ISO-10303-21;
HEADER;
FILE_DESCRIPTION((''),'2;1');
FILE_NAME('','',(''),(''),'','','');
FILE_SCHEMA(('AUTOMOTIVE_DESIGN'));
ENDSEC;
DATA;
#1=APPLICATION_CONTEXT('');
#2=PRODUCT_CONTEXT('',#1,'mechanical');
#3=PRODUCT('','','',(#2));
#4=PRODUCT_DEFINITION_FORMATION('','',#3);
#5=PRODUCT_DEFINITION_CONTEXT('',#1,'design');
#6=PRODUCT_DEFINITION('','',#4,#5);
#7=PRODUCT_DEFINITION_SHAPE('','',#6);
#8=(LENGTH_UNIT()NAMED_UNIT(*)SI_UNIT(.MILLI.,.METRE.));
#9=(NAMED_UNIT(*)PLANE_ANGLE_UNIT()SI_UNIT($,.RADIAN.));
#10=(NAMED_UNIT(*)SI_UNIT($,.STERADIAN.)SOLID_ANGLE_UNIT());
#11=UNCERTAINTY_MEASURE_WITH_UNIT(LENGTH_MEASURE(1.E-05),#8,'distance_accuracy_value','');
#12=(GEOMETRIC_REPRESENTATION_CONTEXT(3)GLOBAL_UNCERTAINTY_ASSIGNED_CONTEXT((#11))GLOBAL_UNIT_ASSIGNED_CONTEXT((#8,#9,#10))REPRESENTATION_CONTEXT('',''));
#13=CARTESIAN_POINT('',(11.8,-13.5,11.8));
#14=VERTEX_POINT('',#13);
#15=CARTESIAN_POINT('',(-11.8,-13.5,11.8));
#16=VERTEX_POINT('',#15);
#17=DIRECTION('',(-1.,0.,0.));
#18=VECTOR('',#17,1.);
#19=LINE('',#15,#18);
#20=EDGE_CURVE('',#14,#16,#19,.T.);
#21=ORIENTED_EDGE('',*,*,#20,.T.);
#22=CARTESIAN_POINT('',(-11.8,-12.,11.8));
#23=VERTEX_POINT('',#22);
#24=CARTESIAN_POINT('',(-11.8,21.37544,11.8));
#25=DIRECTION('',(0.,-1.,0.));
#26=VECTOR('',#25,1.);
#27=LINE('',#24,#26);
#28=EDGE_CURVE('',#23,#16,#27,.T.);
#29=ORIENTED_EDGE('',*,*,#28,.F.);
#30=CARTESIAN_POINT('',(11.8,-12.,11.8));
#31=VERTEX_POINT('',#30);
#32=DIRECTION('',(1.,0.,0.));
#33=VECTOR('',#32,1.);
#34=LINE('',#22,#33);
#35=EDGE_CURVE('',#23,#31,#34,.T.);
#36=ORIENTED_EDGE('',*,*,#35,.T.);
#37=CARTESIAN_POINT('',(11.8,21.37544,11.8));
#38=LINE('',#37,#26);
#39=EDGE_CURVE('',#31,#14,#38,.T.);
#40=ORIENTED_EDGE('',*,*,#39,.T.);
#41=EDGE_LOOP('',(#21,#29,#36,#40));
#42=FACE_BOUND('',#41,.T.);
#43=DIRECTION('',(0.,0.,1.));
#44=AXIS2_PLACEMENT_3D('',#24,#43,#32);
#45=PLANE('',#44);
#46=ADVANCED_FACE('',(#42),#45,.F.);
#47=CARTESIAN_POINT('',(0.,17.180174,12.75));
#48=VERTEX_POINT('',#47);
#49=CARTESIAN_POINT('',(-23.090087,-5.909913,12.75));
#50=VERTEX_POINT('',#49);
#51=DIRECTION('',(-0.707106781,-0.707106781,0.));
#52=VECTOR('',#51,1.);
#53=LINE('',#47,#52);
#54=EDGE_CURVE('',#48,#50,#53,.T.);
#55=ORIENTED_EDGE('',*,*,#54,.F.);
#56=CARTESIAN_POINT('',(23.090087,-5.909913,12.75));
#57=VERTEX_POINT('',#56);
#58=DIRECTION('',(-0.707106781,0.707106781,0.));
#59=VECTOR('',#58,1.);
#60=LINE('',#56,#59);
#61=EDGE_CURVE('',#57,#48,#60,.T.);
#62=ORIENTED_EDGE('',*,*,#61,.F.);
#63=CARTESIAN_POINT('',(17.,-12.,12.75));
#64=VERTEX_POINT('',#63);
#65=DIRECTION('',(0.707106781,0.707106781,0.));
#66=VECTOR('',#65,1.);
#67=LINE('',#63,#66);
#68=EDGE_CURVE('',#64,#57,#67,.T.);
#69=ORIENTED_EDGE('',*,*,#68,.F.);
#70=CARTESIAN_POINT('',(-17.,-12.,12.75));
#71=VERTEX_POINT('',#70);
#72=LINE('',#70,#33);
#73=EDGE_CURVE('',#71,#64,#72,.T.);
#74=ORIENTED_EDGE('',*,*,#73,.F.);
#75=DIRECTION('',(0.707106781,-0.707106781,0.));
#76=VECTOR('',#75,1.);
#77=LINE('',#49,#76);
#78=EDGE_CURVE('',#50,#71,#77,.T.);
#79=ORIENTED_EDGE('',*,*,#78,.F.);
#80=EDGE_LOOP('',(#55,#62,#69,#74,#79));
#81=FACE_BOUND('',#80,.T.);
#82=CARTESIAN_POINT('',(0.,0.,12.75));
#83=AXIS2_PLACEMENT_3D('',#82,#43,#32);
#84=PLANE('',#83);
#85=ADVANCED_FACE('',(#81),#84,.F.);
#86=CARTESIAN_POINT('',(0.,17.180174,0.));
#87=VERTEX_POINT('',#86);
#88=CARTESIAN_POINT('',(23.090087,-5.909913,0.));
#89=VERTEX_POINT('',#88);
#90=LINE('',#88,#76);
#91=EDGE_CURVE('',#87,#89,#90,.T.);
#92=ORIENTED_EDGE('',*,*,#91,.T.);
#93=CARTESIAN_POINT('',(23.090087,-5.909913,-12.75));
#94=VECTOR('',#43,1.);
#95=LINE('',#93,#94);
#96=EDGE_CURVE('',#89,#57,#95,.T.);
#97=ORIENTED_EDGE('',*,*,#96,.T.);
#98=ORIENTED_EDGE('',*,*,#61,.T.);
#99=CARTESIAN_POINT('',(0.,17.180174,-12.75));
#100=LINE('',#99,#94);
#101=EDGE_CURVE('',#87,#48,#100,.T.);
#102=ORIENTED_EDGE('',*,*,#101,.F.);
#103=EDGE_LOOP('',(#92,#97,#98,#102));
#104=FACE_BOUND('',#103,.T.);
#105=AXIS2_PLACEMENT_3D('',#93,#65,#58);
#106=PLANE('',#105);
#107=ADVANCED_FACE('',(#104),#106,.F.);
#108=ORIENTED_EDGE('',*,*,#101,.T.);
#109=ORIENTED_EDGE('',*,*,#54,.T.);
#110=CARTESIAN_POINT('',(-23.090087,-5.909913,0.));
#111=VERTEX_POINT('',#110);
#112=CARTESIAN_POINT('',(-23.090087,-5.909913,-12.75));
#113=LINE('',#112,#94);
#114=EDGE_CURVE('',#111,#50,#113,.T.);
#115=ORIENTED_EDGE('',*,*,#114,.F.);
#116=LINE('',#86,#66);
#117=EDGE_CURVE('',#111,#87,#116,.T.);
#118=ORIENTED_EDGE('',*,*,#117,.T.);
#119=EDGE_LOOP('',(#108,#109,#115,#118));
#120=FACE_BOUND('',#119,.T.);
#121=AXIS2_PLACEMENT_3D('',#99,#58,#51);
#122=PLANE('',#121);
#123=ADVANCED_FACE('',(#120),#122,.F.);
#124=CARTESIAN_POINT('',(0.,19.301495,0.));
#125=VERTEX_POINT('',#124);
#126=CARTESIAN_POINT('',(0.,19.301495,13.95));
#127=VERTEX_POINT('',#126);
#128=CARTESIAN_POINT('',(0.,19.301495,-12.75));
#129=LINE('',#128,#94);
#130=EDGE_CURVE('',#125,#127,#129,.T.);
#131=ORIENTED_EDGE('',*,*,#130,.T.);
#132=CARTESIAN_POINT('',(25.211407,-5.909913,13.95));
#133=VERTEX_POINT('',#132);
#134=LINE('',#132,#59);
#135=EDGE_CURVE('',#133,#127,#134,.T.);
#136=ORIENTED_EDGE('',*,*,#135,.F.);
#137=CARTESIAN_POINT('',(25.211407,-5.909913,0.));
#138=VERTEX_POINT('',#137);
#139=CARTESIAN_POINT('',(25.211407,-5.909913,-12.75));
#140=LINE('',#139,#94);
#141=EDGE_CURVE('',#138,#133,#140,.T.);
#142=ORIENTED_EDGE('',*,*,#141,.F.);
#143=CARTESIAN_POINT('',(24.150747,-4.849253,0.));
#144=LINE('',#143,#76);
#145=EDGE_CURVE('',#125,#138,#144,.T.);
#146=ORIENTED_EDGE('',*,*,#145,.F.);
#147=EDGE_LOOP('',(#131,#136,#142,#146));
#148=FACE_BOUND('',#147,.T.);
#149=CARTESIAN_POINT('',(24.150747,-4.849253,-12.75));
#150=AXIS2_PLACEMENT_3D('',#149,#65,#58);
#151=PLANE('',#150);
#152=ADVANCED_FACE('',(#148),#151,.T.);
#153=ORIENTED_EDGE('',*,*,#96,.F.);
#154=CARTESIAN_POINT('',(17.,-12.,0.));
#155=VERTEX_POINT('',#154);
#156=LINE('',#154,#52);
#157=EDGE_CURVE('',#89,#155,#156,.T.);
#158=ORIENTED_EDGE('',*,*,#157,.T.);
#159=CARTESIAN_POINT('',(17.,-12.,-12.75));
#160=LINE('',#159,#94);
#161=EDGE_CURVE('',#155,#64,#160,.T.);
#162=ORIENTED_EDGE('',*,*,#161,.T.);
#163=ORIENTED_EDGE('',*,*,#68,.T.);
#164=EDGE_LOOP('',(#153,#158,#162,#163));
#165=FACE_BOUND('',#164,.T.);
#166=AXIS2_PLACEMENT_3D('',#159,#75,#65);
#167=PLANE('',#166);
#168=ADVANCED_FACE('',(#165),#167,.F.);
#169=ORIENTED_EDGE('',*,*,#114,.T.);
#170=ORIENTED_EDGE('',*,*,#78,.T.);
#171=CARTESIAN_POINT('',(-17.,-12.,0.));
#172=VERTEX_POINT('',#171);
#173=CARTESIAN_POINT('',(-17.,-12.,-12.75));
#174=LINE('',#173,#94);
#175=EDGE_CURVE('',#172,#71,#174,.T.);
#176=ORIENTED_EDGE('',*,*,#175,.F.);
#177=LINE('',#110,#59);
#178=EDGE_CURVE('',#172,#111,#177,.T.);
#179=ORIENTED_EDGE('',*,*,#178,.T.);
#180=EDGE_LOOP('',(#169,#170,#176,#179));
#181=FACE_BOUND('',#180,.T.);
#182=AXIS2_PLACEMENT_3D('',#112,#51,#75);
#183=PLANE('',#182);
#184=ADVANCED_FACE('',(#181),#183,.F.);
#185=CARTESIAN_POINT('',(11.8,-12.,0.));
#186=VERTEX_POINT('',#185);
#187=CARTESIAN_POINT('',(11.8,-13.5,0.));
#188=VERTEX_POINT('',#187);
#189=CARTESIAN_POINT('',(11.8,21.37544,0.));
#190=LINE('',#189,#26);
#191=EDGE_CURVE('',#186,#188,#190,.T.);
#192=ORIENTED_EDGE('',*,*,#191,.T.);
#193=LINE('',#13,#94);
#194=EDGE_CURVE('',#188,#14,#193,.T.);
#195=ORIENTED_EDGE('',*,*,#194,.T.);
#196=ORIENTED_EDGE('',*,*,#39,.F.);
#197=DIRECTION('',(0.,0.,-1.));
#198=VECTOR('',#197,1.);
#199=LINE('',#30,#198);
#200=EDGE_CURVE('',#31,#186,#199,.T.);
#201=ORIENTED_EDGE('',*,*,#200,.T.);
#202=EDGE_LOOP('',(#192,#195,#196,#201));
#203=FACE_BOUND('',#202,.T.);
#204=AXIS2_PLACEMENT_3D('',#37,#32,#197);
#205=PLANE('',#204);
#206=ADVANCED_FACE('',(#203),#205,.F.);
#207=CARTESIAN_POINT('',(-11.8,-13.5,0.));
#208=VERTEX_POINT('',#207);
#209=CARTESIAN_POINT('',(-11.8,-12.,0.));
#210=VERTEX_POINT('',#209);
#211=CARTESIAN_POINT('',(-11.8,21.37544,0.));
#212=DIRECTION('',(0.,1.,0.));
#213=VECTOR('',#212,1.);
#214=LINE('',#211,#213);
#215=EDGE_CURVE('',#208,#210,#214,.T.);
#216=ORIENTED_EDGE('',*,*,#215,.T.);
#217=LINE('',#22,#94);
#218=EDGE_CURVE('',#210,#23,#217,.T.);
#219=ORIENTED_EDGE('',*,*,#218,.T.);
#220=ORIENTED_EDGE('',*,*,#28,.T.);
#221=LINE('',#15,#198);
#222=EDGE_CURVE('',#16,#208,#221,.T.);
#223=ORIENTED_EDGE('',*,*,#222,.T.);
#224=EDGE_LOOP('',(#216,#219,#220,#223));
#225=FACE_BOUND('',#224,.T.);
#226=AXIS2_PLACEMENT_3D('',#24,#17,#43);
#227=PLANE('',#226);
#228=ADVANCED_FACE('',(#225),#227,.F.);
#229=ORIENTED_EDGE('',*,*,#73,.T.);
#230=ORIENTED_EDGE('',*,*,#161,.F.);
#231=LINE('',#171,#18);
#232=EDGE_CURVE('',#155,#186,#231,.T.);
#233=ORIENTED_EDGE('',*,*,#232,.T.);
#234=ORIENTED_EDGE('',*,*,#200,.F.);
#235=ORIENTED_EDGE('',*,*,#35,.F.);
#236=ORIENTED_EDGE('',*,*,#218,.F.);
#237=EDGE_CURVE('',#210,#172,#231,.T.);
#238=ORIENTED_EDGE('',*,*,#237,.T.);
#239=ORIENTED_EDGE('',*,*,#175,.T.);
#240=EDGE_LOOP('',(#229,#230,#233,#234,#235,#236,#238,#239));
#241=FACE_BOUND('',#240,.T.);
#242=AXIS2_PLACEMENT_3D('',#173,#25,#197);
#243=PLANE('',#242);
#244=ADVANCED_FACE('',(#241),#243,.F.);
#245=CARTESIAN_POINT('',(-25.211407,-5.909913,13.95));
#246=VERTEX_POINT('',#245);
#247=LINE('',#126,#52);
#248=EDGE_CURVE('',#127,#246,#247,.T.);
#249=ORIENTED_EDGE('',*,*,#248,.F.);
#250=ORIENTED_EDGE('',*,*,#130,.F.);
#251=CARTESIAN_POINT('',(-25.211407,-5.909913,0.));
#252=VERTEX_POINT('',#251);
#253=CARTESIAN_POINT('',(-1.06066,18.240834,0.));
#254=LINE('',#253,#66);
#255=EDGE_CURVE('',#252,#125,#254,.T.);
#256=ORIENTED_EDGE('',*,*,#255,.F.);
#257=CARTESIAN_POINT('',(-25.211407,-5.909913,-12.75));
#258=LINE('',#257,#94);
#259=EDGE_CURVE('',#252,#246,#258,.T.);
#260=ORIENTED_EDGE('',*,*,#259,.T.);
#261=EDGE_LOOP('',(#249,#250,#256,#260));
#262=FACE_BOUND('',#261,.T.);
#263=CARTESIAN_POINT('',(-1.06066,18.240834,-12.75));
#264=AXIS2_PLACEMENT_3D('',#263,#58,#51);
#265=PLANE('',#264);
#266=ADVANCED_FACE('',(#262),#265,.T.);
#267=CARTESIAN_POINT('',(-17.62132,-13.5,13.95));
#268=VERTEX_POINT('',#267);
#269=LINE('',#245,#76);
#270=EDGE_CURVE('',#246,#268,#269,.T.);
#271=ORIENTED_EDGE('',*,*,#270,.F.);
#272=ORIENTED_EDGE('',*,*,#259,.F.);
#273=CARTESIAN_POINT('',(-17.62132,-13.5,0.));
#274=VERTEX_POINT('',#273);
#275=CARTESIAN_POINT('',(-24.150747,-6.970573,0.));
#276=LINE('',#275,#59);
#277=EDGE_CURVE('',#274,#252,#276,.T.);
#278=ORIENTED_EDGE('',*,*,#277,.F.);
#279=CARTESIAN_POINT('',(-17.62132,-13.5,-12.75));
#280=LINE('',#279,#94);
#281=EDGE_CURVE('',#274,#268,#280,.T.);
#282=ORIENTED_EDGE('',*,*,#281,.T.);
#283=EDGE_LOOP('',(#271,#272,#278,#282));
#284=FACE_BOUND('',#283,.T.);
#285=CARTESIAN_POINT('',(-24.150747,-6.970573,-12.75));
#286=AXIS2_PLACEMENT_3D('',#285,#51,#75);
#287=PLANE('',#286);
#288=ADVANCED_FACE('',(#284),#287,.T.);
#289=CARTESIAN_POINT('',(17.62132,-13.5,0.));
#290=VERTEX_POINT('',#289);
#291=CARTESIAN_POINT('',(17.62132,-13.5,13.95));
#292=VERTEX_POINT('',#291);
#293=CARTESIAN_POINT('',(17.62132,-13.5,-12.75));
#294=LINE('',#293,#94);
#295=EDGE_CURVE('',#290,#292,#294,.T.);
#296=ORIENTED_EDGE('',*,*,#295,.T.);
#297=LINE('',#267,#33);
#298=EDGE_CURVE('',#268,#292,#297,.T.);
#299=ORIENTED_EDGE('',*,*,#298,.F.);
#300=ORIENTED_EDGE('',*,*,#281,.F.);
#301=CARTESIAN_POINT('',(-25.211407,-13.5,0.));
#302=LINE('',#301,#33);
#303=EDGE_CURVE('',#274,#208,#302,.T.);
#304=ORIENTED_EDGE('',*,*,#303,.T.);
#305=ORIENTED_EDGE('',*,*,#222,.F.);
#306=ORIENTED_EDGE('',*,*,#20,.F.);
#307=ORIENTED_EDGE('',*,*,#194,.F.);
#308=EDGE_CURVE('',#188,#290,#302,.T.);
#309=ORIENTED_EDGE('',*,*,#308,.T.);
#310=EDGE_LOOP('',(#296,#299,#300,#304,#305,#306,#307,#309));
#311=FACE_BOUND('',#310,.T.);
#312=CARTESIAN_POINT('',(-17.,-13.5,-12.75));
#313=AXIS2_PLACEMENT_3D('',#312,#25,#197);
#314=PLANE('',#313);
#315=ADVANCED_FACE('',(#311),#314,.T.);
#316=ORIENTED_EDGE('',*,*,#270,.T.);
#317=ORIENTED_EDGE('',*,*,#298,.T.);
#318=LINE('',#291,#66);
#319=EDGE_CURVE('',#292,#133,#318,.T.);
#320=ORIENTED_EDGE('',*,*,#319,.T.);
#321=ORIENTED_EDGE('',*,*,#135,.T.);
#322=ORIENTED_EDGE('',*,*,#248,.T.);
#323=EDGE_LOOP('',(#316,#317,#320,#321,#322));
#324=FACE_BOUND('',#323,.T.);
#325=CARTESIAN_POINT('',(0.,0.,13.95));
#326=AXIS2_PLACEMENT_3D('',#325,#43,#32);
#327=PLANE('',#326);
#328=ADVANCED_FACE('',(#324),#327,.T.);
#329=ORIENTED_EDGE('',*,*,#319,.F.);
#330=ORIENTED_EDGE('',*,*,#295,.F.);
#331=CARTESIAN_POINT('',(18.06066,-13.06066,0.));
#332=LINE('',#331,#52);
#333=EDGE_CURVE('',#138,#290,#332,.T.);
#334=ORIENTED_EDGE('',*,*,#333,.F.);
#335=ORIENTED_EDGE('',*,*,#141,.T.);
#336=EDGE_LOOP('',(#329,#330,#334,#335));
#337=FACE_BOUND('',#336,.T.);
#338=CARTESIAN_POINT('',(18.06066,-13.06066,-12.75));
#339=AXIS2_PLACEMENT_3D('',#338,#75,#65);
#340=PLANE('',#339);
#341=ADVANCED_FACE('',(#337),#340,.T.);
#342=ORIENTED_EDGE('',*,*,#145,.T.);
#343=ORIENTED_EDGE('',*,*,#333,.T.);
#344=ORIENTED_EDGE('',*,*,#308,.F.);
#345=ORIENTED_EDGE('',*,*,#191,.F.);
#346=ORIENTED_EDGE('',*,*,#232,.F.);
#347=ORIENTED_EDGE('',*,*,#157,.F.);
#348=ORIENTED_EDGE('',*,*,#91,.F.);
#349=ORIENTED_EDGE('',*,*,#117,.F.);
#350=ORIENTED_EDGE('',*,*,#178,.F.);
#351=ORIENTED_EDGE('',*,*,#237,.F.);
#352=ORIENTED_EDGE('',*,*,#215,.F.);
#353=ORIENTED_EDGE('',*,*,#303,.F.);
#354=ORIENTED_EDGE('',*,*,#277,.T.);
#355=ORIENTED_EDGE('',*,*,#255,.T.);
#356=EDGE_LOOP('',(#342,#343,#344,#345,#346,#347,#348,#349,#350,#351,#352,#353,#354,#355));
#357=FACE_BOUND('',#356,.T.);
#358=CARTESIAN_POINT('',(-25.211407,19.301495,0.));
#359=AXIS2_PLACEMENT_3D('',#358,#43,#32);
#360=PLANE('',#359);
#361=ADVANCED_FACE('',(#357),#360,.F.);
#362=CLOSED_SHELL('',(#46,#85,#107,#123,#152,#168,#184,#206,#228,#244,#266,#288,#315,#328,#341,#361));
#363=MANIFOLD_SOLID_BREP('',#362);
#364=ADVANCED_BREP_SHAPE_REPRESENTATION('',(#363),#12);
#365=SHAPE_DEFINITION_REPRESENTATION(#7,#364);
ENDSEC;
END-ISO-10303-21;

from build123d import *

# Parameters (mm, degrees)
EXTRUDE_1_DEPTH          = 12.75
EXTRUDE_1_DEPTH_BACK     = 12.75
EXTRUDE_1_2_DEPTH        = 1.2
EXTRUDE_2_DEPTH          = 1.2
SKETCH_4_W               = 23.6
SKETCH_4_H               = 23.6
CUT_EXTRUDE_1_DEPTH      = 1.5
CUT_EXTRUDE_2_DEPTH      = 35.680906203
CUT_EXTRUDE_2_DEPTH_BACK = 35.680906203
SKETCH_5_W               = 13.95
SKETCH_5_H               = 32.801494515


with BuildPart() as part:
    # Эскиз1 → Extrude 1 (new, two sides: drawn at the far end of the back side and taken through both)
    with BuildSketch(Plane.XY.offset(-EXTRUDE_1_DEPTH_BACK)):
        Polygon((-17.621320344, -13.5), (17.621320344, -13.5), (25.211407429, -5.909912914), (0, 19.301494515), (-25.211407429, -5.909912914), align=None)
        Polygon((-17, -12), (17, -12), (23.090087086, -5.909912914), (0, 17.180174171), (-23.090087086, -5.909912914), align=None, mode=Mode.SUBTRACT)
    extrude(amount=EXTRUDE_1_DEPTH + EXTRUDE_1_DEPTH_BACK)

    # Эскиз2 → Extrude 1 2 (add)
    with BuildSketch(Plane.XY.offset(12.75)):
        Polygon((25.211407429, -5.909912914), (0, 19.301494515), (-25.211407429, -5.909912914), (-17.621320344, -13.5), (17.621320344, -13.5), align=None)
    extrude(amount=EXTRUDE_1_2_DEPTH)

    # Эскиз3 → Бобышка-Вытянуть2 (add)
    with BuildSketch(Plane(origin=(0, 0, -12.75), x_dir=(-1, 0, 0), z_dir=(0, 0, -1))):
        Polygon((0, 19.301494515), (25.211407429, -5.909912914), (17.621320344, -13.5), (-17.621320344, -13.5), (-25.211407429, -5.909912914), align=None)
    extrude(amount=EXTRUDE_2_DEPTH)

    # Эскиз4 → Вырез-Вытянуть1 (cut)
    with BuildSketch(Plane.XZ.offset(13.5)):
        Rectangle(SKETCH_4_W, SKETCH_4_H)
    extrude(amount=-CUT_EXTRUDE_1_DEPTH, mode=Mode.SUBTRACT)

    # Эскиз5 → Вырез-Вытянуть2 (cut, two sides: drawn at the far end of the back side and taken through both)
    with BuildSketch(Plane(origin=(0, 0, 0), x_dir=(0, 0, -1), z_dir=(1, 0, 0)).offset(-CUT_EXTRUDE_2_DEPTH_BACK)):
        with Locations((6.975, 2.900747258)):
            Rectangle(SKETCH_5_W, SKETCH_5_H)
    extrude(amount=CUT_EXTRUDE_2_DEPTH + CUT_EXTRUDE_2_DEPTH_BACK, mode=Mode.SUBTRACT)


solid = part.part
